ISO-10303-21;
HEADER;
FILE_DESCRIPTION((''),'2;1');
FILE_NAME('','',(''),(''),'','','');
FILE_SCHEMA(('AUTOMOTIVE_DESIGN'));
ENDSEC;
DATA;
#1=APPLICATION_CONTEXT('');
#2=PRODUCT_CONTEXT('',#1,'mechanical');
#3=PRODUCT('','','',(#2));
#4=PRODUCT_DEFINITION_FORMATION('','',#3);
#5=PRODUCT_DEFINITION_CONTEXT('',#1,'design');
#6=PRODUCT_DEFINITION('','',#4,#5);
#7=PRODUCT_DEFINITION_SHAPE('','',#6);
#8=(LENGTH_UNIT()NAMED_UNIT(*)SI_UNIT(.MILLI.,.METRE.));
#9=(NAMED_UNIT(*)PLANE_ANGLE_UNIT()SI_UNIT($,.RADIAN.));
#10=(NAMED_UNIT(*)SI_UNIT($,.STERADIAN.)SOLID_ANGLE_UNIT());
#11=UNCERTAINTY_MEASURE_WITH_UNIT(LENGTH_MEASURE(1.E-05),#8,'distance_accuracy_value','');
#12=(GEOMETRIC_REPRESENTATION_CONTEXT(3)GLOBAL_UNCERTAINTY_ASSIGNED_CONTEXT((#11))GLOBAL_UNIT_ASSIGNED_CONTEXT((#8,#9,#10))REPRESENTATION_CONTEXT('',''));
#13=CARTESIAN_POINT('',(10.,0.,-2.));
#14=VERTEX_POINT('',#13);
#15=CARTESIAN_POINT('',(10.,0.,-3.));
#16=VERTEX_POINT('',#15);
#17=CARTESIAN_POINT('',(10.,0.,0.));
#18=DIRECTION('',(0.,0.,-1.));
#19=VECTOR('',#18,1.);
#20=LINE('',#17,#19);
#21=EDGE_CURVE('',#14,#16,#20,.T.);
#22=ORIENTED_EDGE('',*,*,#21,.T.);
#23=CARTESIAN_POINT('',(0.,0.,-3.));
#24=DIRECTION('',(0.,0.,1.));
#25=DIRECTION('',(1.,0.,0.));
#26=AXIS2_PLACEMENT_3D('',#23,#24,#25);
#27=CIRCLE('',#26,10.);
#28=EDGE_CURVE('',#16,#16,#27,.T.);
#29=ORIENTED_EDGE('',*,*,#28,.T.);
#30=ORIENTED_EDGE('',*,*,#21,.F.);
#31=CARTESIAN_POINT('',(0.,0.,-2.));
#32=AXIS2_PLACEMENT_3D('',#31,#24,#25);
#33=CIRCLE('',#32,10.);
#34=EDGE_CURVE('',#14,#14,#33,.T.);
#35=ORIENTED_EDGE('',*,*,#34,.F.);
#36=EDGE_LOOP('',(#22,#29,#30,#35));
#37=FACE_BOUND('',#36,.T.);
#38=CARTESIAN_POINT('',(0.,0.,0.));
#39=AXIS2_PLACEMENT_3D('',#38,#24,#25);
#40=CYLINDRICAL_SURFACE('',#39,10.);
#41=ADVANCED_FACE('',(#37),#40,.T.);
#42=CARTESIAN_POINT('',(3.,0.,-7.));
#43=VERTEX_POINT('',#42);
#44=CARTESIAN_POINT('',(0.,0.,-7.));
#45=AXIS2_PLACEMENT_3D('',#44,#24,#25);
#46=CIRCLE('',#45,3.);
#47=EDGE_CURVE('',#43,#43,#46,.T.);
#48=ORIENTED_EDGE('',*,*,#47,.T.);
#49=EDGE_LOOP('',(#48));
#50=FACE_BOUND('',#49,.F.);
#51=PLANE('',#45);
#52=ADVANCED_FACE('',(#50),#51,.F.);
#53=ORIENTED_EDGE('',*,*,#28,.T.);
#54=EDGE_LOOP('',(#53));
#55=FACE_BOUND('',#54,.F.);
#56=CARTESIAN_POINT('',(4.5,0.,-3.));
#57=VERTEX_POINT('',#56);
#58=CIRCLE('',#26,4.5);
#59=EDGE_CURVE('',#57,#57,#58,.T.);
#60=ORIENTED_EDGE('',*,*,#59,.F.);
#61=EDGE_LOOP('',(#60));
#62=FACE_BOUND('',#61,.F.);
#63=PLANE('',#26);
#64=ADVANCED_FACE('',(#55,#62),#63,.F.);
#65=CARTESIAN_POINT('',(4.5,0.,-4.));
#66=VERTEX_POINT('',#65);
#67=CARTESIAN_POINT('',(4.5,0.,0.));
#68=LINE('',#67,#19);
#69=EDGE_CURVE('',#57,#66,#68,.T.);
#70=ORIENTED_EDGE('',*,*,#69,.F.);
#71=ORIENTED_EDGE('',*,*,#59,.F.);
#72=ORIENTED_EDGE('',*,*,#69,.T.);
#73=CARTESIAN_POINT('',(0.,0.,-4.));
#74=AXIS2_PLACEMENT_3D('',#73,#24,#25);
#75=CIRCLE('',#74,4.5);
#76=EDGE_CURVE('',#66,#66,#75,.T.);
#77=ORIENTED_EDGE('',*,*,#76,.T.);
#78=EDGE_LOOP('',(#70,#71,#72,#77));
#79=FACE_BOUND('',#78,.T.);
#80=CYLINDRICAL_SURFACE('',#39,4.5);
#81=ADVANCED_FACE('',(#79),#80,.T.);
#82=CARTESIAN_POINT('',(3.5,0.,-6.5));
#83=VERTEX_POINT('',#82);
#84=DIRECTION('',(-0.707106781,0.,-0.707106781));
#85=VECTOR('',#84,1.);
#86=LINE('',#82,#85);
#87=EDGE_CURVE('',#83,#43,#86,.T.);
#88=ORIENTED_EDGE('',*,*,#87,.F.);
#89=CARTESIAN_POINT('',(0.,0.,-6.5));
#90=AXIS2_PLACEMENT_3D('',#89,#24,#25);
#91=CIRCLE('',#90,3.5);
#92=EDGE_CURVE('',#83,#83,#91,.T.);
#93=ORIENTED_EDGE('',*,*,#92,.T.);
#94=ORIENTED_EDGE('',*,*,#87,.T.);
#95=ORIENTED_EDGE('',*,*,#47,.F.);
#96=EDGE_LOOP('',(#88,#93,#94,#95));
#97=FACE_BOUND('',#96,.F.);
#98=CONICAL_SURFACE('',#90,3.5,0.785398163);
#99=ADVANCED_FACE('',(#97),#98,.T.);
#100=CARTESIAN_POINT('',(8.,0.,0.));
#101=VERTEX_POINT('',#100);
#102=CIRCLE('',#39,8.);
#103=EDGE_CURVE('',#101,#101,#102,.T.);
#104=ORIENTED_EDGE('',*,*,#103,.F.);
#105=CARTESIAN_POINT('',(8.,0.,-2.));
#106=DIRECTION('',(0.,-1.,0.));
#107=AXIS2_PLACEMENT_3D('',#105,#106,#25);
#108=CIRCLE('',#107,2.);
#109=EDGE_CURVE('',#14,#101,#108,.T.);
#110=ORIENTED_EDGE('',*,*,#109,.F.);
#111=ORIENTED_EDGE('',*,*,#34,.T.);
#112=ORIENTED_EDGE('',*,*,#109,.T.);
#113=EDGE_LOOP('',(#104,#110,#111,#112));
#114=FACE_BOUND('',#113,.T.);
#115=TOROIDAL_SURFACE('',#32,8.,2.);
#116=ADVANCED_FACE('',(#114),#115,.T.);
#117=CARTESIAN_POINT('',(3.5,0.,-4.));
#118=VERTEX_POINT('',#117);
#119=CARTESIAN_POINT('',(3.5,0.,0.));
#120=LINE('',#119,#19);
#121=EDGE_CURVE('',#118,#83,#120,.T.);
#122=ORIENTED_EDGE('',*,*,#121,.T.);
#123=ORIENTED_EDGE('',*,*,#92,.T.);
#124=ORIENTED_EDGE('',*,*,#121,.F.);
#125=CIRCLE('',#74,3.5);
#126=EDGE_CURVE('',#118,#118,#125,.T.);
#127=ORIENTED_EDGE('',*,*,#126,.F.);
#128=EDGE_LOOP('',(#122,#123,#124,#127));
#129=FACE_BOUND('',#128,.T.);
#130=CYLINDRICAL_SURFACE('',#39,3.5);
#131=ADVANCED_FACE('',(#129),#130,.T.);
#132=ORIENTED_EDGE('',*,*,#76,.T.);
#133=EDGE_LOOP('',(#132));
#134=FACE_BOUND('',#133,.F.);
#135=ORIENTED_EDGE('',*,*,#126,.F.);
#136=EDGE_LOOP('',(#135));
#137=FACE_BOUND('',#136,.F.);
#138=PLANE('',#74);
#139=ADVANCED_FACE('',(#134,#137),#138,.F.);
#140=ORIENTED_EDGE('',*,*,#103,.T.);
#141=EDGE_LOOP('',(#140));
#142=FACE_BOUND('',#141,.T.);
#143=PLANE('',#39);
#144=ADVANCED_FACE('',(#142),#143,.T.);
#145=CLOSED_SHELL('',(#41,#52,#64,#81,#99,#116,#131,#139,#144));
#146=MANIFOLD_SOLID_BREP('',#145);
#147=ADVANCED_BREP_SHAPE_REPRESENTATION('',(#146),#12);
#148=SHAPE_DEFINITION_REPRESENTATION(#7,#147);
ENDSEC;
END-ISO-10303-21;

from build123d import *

# Parameters (mm, degrees)
F0_R     = 3.5
F1_DEPTH = 7
F0_R_2   = 4.5
F2_DEPTH = 4
F0_R_3   = 10
F3_DEPTH = 3
F4_R     = 2
F5_SIZE  = 0.5


with BuildPart() as f1:
    # F0 (on Top) → F1 (new body)
    with BuildSketch(Plane.XY):
        Circle(F0_R)
    extrude(amount=-F1_DEPTH)

    # F0 (on Top) → F2 (join)
    with BuildSketch(Plane.XY):
        Circle(F0_R_2)
        Circle(F0_R, mode=Mode.SUBTRACT)
    extrude(amount=-F2_DEPTH)

    # F0 (on Top) → F3 (join)
    with BuildSketch(Plane.XY):
        Circle(F0_R_3)
        Circle(F0_R_2, mode=Mode.SUBTRACT)
    extrude(amount=-F3_DEPTH)

    # F4
    f4_edges = [f1.edges().sort_by_distance(p)[0] for p in [
        (-10, 0, 0),
    ]]
    fillet(f4_edges, radius=F4_R)

    # F5
    f5_edges = [f1.edges().sort_by_distance(p)[0] for p in [
        (-3.5, 0, -7),
    ]]
    chamfer(f5_edges, length=F5_SIZE)


solid = f1.part
